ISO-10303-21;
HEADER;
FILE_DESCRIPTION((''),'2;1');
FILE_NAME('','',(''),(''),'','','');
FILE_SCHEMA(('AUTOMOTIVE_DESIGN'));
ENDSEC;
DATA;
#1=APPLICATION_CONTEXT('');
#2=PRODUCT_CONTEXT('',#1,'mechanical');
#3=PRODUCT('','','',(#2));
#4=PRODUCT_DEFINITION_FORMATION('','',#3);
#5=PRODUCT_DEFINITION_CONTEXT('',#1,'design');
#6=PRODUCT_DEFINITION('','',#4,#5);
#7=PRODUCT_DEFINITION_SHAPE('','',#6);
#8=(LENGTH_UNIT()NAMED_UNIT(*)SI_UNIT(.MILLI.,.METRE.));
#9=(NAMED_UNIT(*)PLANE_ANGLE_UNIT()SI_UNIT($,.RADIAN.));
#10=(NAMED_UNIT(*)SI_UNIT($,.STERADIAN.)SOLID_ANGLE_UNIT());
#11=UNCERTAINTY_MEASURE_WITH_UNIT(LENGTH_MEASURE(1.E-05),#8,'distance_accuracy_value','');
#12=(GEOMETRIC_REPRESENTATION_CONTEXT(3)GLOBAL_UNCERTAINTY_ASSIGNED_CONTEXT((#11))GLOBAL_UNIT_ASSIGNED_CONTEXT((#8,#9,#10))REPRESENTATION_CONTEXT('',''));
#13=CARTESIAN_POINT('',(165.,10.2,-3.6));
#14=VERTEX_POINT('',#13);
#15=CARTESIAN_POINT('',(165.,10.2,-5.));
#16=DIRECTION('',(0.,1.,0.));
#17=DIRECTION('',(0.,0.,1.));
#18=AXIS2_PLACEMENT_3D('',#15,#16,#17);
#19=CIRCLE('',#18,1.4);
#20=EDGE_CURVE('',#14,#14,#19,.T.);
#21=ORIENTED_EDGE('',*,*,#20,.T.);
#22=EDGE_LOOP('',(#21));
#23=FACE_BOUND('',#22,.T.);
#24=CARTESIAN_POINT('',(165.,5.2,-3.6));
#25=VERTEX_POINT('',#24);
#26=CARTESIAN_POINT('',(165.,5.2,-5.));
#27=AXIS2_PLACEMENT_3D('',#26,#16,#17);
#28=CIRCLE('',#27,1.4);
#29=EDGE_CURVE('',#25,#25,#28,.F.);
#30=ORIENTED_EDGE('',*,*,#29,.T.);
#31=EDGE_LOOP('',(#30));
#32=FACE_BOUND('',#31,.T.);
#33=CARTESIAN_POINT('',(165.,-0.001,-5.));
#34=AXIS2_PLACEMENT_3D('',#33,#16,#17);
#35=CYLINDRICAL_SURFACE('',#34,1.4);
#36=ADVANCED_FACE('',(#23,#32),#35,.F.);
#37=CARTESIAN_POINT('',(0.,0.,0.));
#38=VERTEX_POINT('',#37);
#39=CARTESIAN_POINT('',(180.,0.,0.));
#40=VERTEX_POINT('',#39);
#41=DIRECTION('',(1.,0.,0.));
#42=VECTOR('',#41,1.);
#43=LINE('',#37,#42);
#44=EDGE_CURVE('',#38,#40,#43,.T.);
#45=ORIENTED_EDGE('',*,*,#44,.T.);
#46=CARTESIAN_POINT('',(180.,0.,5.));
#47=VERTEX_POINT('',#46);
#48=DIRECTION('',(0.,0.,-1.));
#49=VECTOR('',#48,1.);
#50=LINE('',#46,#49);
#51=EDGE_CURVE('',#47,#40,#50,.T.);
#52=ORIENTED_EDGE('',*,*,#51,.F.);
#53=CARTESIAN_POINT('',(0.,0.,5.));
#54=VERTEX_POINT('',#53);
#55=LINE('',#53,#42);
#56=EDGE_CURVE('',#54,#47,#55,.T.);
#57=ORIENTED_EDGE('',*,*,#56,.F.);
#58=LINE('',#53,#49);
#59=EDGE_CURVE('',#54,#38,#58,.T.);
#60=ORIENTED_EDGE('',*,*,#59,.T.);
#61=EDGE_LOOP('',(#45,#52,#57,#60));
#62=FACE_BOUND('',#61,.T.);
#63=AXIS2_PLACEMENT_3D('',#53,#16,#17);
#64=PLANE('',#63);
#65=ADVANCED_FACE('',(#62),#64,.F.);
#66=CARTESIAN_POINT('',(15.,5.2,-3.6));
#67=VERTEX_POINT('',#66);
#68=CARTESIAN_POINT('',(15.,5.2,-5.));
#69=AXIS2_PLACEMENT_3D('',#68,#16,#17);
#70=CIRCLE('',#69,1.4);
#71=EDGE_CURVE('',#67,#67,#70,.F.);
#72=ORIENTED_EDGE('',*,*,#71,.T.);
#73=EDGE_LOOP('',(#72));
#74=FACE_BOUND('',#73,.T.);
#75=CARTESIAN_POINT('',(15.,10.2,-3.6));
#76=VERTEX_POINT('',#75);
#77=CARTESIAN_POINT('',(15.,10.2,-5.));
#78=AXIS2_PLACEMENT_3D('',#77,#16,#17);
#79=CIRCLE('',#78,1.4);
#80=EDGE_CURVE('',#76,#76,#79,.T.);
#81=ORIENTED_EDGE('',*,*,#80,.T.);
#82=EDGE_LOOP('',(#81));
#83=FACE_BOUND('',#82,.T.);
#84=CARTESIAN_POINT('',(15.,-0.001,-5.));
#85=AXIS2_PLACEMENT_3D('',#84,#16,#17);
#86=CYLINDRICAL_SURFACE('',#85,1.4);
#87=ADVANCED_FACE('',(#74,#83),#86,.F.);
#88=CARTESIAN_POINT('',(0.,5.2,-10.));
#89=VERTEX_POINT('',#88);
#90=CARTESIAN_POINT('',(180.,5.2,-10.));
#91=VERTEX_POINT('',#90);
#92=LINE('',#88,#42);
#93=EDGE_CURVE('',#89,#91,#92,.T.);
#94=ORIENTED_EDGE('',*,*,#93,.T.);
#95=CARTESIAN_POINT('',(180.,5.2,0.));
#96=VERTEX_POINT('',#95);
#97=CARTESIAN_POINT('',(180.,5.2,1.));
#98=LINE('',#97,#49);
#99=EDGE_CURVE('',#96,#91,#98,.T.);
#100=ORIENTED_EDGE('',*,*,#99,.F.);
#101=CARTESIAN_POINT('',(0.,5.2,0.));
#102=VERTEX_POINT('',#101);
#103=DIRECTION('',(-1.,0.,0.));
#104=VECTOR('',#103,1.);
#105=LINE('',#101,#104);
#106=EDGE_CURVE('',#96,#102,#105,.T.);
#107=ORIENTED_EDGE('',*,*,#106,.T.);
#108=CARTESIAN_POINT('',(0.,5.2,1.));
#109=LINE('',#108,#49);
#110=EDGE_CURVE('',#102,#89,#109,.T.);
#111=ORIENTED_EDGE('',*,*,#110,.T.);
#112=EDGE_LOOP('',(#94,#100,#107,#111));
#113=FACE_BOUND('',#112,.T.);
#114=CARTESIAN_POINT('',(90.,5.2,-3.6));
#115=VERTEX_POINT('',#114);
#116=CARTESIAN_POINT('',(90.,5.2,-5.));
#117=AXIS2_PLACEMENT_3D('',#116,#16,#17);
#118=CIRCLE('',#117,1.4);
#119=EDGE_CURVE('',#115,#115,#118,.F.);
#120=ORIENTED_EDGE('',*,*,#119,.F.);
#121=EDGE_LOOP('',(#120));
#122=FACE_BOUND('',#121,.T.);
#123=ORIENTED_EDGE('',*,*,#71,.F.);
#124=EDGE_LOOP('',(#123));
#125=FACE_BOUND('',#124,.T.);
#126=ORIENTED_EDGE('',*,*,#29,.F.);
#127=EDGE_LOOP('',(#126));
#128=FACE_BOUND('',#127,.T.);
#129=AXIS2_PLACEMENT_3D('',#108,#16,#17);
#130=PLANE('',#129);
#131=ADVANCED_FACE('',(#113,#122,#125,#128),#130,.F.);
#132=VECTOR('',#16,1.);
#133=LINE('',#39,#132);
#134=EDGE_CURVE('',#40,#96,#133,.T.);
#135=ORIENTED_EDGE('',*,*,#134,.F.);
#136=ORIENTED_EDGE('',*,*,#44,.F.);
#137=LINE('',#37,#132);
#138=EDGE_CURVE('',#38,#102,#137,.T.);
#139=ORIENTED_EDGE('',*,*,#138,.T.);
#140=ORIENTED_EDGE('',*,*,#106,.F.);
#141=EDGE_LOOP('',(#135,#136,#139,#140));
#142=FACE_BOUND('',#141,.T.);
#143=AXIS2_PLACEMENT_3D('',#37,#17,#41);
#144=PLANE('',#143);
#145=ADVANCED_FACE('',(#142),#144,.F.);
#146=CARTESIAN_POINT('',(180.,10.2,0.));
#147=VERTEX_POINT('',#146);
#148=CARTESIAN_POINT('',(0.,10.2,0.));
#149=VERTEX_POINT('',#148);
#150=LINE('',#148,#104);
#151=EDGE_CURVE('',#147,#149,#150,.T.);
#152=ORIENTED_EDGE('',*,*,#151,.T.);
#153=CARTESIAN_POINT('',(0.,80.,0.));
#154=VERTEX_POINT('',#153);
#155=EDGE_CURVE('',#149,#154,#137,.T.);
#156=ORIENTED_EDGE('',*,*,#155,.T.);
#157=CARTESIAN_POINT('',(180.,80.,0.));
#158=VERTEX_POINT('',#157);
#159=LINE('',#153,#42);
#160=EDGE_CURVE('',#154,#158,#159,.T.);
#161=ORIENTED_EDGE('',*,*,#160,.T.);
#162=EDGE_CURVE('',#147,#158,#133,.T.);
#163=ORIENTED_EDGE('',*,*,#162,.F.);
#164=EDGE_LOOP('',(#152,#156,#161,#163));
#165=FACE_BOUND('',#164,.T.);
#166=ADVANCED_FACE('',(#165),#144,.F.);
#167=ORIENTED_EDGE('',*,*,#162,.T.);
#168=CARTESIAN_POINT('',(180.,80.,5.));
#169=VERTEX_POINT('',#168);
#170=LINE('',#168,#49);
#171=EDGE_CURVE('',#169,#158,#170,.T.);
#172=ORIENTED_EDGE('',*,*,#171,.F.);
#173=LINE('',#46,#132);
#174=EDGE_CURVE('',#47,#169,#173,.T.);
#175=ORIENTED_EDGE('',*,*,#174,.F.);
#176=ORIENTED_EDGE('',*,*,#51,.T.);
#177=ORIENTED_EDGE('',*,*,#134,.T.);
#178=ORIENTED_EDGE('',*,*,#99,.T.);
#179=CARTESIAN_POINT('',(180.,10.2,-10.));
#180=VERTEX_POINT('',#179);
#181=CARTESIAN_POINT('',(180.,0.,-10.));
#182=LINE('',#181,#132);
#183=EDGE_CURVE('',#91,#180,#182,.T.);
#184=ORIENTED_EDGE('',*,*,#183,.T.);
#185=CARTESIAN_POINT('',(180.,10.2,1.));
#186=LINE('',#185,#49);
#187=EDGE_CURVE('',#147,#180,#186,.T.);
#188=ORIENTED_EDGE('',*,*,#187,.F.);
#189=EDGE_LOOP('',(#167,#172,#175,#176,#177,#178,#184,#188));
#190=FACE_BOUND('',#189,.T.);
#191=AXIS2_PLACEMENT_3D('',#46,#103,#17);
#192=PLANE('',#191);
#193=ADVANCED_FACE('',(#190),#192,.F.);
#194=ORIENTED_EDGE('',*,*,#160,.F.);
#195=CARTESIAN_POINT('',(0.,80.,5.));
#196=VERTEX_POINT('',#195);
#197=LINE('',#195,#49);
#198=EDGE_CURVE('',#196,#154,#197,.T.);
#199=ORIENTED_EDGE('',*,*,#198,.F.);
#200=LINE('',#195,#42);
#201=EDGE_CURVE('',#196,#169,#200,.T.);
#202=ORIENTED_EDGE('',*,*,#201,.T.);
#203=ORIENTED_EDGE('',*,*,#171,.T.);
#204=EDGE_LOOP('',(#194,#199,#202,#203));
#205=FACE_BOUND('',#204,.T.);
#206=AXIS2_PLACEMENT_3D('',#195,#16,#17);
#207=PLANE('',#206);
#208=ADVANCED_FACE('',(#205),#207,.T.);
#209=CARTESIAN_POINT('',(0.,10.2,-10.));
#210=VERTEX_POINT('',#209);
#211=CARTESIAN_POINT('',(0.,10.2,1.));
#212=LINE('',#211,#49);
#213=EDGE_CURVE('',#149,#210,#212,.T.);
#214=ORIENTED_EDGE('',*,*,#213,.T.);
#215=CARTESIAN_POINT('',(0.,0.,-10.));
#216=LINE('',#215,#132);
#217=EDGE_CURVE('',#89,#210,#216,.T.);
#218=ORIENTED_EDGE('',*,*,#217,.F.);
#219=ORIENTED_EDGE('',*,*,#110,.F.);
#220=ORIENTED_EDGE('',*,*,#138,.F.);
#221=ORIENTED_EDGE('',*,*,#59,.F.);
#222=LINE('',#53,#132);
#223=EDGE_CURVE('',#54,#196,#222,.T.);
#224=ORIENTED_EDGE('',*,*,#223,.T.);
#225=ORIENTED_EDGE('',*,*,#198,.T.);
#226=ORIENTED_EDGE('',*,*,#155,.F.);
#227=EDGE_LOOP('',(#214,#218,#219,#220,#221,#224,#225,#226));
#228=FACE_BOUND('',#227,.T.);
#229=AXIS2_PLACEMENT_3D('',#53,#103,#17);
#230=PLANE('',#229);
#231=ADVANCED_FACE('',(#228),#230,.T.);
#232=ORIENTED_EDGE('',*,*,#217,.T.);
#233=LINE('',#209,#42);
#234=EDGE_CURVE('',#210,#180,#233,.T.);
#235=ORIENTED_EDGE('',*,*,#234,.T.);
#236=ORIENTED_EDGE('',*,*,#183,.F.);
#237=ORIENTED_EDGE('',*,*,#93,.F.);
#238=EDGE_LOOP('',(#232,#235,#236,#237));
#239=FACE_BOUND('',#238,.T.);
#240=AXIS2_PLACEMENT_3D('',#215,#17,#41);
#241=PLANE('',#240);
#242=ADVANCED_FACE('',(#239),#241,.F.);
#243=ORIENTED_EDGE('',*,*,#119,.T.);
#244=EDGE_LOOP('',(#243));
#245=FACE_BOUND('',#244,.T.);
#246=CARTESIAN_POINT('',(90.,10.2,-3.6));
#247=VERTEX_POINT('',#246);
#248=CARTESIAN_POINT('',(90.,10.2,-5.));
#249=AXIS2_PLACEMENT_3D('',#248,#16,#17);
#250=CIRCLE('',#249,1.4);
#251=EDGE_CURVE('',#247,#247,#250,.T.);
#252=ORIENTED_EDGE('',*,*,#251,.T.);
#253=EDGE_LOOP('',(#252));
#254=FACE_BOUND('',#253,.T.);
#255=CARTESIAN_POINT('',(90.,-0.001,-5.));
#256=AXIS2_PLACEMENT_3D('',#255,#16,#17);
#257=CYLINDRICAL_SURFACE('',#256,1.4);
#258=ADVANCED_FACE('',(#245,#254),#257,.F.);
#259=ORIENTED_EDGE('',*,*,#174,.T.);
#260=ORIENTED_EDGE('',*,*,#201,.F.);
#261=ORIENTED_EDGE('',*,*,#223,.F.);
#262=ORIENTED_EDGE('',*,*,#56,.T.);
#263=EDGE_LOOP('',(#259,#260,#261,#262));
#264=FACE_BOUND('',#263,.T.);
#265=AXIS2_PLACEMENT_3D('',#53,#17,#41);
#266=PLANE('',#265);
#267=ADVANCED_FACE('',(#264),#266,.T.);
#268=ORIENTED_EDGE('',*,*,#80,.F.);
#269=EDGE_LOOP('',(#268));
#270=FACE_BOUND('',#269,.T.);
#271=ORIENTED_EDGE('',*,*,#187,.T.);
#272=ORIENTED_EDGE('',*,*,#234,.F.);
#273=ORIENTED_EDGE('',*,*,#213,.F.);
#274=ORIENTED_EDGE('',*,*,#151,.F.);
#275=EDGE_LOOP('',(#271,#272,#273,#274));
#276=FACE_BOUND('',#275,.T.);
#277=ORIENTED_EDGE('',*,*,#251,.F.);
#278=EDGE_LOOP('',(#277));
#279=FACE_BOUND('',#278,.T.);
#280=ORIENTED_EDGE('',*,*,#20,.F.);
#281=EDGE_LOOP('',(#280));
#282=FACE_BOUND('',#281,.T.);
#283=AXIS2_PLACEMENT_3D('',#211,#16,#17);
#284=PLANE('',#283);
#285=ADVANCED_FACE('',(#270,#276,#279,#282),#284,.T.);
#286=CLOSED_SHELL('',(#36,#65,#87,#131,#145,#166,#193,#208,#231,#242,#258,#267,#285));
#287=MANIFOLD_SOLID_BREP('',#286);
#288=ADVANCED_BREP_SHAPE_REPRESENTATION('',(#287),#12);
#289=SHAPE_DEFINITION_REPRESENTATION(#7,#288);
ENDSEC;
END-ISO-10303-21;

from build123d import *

# Parameters (mm, degrees)
SKETCH1_W                = 180
SKETCH1_H                = 80
BOSS_EXTRUDE1_DEPTH      = 5
BOSS_EXTRUDE2_DEPTH      = 1
BOSS_EXTRUDE2_DEPTH_BACK = 10
SKETCH1_4_W              = 180
SKETCH1_4_H              = 5
CUT_EXTRUDE3_REACH       = 195.318
SKETCH2_R                = 1.4


with BuildPart() as part:
    # Sketch1 → Boss-Extrude1 (new body)
    with BuildSketch(Plane.XY):
        with Locations((90, 40)):
            Rectangle(SKETCH1_W, SKETCH1_H)
    extrude(amount=BOSS_EXTRUDE1_DEPTH)

    # Sketch1<4> → Boss-Extrude2 (add, two sides: drawn at the far end of the back side and taken through both)
    with BuildSketch(Plane.XY.offset(-BOSS_EXTRUDE2_DEPTH_BACK)):
        with Locations((90, 7.7)):
            Rectangle(SKETCH1_4_W, SKETCH1_4_H)
    extrude(amount=BOSS_EXTRUDE2_DEPTH + BOSS_EXTRUDE2_DEPTH_BACK)

    # Sketch2 → Cut-Extrude3 (cut, up to next)
    with BuildSketch(Plane(origin=(0, 10.2, 0), x_dir=(1, 0, 0), z_dir=(0, 1, 0)), mode=Mode.PRIVATE) as cut_extrude3_sk1:
        with Locations((15, 5)):
            Circle(SKETCH2_R)
    cut_extrude3_tool1 = extrude(cut_extrude3_sk1.sketch, amount=-CUT_EXTRUDE3_REACH, mode=Mode.PRIVATE) & part.part
    # Sketch2 → Cut-Extrude3 (cut, up to next)
    with BuildSketch(Plane(origin=(0, 10.2, 0), x_dir=(1, 0, 0), z_dir=(0, 1, 0)), mode=Mode.PRIVATE) as cut_extrude3_sk2:
        with Locations((90, 5)):
            Circle(SKETCH2_R)
    cut_extrude3_tool2 = extrude(cut_extrude3_sk2.sketch, amount=-CUT_EXTRUDE3_REACH, mode=Mode.PRIVATE) & part.part
    # Sketch2 → Cut-Extrude3 (cut, up to next)
    with BuildSketch(Plane(origin=(0, 10.2, 0), x_dir=(1, 0, 0), z_dir=(0, 1, 0)), mode=Mode.PRIVATE) as cut_extrude3_sk3:
        with Locations((165, 5)):
            Circle(SKETCH2_R)
    cut_extrude3_tool3 = extrude(cut_extrude3_sk3.sketch, amount=-CUT_EXTRUDE3_REACH, mode=Mode.PRIVATE) & part.part
    add(cut_extrude3_tool1.solids().sort_by_distance((15, 10.2, -5))[0], mode=Mode.SUBTRACT)
    add(cut_extrude3_tool2.solids().sort_by_distance((90, 10.2, -5))[0], mode=Mode.SUBTRACT)
    add(cut_extrude3_tool3.solids().sort_by_distance((165, 10.2, -5))[0], mode=Mode.SUBTRACT)


solid = part.part
